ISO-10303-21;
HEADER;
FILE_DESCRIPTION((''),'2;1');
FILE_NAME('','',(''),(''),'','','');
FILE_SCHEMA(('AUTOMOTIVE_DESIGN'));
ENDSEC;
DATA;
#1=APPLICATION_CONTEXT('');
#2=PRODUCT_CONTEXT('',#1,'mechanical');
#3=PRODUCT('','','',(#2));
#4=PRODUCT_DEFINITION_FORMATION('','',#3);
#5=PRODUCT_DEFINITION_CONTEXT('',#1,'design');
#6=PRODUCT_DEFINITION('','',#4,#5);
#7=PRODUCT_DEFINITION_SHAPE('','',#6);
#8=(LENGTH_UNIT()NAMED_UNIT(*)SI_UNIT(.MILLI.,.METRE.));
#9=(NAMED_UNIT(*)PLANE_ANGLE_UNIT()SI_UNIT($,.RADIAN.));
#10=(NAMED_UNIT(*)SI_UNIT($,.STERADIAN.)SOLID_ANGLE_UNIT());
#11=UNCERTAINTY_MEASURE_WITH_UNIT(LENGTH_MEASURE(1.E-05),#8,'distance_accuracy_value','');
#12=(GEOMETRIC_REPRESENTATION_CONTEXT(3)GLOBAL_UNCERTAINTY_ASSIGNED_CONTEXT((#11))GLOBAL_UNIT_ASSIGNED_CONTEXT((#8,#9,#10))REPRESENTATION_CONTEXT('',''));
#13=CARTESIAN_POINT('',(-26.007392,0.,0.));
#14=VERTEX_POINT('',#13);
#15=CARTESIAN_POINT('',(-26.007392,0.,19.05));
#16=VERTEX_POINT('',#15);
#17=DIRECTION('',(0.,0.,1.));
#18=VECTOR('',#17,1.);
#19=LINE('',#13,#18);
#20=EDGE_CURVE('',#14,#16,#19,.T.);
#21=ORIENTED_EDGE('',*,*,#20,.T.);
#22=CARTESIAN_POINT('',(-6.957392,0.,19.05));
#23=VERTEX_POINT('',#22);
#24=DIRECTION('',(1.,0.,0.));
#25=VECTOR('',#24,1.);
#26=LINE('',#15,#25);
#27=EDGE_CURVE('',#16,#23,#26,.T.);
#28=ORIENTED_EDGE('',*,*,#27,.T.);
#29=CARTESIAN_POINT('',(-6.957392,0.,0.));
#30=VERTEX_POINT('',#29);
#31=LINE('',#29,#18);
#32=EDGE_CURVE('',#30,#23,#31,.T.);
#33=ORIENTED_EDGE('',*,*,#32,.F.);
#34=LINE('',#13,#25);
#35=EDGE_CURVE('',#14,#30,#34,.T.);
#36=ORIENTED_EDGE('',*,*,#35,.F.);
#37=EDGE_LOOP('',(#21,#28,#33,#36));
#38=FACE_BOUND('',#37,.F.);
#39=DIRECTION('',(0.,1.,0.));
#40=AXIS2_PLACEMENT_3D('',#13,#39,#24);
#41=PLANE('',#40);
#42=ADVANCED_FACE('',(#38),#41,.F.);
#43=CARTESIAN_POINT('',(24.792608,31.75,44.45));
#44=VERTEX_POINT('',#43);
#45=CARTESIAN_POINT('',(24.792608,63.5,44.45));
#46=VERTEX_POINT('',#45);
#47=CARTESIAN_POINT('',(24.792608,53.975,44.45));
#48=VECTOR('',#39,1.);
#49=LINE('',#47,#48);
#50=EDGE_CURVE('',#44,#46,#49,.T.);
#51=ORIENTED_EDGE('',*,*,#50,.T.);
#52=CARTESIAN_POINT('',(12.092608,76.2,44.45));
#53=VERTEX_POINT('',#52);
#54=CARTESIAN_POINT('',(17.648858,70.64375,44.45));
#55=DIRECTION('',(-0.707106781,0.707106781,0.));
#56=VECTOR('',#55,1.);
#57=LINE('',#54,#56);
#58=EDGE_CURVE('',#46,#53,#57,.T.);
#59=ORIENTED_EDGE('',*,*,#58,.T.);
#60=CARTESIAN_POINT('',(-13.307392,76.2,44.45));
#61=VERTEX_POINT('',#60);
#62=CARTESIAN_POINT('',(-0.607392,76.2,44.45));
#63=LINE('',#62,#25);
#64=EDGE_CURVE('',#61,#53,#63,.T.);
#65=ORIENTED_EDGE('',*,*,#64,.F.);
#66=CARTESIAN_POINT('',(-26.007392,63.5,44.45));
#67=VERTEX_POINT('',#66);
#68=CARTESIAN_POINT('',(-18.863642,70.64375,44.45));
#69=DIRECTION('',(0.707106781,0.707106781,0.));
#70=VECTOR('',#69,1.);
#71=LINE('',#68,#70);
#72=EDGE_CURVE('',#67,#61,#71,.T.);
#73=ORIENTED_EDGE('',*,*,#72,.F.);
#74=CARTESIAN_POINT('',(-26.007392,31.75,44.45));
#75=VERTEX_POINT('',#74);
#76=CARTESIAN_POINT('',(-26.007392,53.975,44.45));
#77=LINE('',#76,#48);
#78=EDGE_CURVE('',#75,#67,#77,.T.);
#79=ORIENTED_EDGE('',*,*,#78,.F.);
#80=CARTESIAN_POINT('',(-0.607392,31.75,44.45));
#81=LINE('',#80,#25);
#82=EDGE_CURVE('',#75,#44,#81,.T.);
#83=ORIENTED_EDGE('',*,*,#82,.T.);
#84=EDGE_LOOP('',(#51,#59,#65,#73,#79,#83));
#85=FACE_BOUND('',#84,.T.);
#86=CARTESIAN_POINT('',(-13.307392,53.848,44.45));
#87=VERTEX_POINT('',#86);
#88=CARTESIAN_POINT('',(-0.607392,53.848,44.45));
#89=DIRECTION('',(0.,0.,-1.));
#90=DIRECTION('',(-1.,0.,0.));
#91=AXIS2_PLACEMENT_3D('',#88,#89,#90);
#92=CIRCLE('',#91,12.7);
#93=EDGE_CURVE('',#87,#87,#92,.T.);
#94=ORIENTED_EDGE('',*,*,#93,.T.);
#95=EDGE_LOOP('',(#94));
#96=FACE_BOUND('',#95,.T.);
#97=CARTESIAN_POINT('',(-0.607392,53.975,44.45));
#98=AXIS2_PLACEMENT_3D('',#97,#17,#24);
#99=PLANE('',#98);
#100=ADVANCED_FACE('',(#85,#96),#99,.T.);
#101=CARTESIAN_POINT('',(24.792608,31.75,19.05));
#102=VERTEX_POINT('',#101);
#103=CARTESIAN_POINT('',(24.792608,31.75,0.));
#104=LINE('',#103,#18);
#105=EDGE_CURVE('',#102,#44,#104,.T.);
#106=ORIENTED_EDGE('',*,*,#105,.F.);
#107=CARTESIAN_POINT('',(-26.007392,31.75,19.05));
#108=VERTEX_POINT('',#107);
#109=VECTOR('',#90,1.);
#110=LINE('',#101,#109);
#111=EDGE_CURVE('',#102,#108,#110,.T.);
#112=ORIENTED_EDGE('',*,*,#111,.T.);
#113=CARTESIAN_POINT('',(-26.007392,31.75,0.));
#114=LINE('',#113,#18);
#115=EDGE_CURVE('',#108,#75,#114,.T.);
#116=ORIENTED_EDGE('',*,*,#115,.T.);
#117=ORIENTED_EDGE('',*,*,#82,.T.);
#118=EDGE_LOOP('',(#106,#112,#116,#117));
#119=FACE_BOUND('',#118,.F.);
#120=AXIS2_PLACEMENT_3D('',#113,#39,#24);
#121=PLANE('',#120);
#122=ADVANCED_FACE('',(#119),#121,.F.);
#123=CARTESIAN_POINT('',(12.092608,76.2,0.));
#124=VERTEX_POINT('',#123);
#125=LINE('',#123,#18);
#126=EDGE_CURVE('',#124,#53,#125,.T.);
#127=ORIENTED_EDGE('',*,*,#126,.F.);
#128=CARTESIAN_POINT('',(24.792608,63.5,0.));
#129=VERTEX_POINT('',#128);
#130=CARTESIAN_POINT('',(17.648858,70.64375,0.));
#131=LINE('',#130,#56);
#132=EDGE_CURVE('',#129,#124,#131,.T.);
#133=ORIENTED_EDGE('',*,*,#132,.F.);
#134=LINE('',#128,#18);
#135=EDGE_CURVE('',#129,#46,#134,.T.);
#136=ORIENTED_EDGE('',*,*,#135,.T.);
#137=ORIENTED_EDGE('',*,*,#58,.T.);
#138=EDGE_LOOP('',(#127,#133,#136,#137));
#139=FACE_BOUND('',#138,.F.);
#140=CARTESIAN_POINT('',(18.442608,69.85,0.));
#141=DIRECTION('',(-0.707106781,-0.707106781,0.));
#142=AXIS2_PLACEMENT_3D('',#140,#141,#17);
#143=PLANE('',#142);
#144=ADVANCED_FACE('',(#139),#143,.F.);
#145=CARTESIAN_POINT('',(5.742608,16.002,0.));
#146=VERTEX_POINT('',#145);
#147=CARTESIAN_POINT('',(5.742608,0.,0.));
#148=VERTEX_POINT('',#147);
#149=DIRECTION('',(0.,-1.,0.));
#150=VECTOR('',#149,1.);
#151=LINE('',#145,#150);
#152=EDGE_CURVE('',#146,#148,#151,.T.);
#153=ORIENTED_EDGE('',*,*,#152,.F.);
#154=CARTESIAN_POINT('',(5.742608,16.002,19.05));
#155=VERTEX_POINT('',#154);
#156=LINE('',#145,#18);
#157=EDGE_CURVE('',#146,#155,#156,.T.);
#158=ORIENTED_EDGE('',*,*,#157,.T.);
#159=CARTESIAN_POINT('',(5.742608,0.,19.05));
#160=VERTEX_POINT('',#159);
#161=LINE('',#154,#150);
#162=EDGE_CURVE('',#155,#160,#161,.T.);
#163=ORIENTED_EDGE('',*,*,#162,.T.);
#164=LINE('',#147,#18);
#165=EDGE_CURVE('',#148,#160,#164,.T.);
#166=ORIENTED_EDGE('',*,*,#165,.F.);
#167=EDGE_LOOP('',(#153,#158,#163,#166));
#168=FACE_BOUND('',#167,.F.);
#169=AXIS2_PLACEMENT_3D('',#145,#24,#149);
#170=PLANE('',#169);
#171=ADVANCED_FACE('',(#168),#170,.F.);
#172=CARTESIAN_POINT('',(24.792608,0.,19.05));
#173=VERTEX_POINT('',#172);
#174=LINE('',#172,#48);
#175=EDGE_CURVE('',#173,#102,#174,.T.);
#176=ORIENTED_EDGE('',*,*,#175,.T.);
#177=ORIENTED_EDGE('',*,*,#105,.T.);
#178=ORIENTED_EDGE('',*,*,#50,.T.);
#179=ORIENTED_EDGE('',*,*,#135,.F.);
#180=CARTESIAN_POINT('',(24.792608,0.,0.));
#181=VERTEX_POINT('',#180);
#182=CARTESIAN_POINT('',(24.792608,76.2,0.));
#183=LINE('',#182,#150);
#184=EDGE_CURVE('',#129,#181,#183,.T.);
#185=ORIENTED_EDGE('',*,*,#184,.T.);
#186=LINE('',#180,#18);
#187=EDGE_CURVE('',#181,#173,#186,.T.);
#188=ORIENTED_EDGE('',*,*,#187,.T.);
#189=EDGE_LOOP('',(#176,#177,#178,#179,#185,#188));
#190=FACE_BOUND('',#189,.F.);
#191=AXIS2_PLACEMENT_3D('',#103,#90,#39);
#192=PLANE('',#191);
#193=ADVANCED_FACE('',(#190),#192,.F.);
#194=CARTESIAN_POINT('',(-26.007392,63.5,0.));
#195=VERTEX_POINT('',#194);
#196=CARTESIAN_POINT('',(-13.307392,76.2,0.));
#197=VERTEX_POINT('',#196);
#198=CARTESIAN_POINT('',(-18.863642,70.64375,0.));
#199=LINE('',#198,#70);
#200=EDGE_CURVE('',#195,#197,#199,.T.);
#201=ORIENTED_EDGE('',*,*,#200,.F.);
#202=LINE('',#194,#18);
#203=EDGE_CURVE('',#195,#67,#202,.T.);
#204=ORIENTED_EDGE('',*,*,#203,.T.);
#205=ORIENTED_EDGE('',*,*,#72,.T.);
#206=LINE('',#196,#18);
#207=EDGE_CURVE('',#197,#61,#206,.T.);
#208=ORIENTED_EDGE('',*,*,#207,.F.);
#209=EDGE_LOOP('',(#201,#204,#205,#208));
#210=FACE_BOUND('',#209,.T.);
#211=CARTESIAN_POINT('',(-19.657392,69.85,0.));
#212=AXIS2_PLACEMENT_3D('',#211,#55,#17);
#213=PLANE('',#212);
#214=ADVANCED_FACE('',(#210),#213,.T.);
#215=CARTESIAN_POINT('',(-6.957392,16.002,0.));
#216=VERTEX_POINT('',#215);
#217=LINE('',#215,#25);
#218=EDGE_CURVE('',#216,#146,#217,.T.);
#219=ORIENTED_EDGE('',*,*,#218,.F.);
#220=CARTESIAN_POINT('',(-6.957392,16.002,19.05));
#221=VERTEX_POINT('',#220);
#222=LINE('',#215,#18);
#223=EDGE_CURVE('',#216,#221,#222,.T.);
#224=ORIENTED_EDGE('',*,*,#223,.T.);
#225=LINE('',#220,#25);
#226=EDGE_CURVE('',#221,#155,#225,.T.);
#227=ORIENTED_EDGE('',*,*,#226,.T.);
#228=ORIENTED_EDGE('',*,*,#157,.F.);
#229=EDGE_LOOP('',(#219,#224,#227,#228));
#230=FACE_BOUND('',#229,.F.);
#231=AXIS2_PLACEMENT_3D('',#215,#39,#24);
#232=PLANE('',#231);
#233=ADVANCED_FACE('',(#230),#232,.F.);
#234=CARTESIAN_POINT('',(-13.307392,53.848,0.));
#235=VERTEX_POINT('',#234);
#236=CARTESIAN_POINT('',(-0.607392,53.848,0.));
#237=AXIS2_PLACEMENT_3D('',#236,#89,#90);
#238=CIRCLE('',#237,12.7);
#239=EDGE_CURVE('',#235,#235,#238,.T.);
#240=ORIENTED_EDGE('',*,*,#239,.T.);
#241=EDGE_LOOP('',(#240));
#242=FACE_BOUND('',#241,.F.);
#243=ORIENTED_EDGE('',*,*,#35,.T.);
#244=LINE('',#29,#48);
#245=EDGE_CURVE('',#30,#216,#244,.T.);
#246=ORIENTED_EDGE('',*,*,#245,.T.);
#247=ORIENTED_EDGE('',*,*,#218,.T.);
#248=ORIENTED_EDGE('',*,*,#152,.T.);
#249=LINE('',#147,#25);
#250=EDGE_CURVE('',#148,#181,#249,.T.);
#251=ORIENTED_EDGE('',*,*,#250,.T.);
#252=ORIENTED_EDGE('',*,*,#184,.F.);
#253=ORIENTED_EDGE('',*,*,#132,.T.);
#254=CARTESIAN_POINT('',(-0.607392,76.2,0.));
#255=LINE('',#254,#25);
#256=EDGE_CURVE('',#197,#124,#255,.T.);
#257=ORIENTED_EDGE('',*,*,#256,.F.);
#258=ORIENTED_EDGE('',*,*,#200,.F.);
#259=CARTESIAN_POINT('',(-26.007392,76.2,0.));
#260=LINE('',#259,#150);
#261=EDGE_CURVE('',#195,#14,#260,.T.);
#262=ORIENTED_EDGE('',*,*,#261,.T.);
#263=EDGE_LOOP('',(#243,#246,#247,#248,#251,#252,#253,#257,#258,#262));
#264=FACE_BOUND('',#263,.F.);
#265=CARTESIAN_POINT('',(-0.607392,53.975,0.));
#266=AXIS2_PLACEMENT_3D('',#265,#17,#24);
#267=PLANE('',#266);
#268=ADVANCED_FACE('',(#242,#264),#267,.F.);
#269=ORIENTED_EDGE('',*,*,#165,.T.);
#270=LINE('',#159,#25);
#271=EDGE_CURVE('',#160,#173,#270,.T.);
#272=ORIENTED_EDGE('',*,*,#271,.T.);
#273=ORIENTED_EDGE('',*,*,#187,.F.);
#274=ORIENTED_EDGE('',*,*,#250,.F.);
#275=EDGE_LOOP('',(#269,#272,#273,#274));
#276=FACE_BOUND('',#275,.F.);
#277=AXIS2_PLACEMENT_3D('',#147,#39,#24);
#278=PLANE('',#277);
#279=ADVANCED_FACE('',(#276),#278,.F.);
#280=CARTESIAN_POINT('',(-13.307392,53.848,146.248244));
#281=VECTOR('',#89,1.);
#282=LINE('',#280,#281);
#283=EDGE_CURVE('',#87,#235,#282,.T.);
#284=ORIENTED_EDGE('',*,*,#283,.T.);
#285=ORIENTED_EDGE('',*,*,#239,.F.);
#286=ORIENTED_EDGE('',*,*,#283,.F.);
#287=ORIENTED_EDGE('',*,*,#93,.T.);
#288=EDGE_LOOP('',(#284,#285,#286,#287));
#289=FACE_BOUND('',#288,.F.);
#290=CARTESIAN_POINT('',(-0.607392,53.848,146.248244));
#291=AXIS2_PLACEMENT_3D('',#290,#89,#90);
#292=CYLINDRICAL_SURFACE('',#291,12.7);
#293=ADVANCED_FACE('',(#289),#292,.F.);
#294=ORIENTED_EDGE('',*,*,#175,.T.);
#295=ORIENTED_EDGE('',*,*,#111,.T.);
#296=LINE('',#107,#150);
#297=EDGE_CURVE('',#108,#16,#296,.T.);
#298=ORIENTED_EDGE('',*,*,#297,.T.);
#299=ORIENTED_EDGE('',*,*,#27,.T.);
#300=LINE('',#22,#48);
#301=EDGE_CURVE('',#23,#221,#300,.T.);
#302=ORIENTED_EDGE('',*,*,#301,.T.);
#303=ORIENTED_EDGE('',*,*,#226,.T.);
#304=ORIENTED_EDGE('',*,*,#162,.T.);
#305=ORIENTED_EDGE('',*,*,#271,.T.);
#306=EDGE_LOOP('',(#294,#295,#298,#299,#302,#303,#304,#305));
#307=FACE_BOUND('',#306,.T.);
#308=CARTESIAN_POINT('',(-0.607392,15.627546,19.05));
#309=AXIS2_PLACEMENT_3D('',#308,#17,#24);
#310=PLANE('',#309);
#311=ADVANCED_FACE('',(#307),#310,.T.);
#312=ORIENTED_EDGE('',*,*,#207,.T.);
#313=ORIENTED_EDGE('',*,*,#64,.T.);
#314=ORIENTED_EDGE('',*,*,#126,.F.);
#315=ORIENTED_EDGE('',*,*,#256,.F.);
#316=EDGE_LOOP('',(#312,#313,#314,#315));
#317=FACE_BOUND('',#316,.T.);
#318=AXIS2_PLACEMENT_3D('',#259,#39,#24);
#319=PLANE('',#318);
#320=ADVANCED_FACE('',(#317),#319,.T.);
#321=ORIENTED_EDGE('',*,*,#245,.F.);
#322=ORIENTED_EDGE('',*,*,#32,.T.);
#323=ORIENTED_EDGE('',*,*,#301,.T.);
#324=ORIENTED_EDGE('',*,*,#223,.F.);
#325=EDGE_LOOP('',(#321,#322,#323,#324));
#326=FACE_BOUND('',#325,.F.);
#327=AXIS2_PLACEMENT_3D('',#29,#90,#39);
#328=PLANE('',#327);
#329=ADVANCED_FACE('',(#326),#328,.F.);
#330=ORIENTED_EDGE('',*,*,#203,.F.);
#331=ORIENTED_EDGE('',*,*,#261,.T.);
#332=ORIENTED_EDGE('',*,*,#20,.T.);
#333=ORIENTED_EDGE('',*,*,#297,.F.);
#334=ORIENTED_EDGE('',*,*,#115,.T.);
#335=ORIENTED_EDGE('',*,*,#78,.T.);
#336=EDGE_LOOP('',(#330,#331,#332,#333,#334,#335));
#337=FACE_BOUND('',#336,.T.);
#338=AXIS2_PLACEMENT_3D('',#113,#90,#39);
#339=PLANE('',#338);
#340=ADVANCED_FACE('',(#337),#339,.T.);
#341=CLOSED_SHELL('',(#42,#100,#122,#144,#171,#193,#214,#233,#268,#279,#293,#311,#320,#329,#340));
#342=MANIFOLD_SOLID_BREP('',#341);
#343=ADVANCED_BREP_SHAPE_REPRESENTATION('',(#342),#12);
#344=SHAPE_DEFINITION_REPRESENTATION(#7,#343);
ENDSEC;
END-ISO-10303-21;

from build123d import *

# Parameters (mm, degrees)
F1_DEPTH = 19.05
F0_W     = 50.8
F0_H     = 44.45
F2_DEPTH = 44.45
F3_SIZE  = 12.7
F5_D     = 25.4


with BuildPart() as f1:
    # F0 (on Top) → F1 (new body)
    with BuildSketch(Plane.XY):
        Polygon((-26.007392, 0), (-6.957392, 0), (-6.957392, 16.002), (5.742608, 16.002), (5.742608, 0), (24.792608, 0), (24.792608, 31.75), (-26.007392, 31.75), align=None)
    extrude(amount=F1_DEPTH)

    # F0 (on Top) → F2 (join)
    with BuildSketch(Plane.XY):
        with Locations((-0.607392, 53.975)):
            Rectangle(F0_W, F0_H)
    extrude(amount=F2_DEPTH)

    # F3
    f3_edges = [f1.edges().sort_by_distance(p)[0] for p in [
        (24.792608, 76.2, 22.225),
        (-26.007392, 76.2, 22.225),
    ]]
    chamfer(f3_edges, length=F3_SIZE)

    # F5 (through all)
    with Locations(Plane.XY.offset(44.45)):
        with Locations((-0.607392, 53.848)):
            Hole(F5_D / 2)


solid = f1.part
